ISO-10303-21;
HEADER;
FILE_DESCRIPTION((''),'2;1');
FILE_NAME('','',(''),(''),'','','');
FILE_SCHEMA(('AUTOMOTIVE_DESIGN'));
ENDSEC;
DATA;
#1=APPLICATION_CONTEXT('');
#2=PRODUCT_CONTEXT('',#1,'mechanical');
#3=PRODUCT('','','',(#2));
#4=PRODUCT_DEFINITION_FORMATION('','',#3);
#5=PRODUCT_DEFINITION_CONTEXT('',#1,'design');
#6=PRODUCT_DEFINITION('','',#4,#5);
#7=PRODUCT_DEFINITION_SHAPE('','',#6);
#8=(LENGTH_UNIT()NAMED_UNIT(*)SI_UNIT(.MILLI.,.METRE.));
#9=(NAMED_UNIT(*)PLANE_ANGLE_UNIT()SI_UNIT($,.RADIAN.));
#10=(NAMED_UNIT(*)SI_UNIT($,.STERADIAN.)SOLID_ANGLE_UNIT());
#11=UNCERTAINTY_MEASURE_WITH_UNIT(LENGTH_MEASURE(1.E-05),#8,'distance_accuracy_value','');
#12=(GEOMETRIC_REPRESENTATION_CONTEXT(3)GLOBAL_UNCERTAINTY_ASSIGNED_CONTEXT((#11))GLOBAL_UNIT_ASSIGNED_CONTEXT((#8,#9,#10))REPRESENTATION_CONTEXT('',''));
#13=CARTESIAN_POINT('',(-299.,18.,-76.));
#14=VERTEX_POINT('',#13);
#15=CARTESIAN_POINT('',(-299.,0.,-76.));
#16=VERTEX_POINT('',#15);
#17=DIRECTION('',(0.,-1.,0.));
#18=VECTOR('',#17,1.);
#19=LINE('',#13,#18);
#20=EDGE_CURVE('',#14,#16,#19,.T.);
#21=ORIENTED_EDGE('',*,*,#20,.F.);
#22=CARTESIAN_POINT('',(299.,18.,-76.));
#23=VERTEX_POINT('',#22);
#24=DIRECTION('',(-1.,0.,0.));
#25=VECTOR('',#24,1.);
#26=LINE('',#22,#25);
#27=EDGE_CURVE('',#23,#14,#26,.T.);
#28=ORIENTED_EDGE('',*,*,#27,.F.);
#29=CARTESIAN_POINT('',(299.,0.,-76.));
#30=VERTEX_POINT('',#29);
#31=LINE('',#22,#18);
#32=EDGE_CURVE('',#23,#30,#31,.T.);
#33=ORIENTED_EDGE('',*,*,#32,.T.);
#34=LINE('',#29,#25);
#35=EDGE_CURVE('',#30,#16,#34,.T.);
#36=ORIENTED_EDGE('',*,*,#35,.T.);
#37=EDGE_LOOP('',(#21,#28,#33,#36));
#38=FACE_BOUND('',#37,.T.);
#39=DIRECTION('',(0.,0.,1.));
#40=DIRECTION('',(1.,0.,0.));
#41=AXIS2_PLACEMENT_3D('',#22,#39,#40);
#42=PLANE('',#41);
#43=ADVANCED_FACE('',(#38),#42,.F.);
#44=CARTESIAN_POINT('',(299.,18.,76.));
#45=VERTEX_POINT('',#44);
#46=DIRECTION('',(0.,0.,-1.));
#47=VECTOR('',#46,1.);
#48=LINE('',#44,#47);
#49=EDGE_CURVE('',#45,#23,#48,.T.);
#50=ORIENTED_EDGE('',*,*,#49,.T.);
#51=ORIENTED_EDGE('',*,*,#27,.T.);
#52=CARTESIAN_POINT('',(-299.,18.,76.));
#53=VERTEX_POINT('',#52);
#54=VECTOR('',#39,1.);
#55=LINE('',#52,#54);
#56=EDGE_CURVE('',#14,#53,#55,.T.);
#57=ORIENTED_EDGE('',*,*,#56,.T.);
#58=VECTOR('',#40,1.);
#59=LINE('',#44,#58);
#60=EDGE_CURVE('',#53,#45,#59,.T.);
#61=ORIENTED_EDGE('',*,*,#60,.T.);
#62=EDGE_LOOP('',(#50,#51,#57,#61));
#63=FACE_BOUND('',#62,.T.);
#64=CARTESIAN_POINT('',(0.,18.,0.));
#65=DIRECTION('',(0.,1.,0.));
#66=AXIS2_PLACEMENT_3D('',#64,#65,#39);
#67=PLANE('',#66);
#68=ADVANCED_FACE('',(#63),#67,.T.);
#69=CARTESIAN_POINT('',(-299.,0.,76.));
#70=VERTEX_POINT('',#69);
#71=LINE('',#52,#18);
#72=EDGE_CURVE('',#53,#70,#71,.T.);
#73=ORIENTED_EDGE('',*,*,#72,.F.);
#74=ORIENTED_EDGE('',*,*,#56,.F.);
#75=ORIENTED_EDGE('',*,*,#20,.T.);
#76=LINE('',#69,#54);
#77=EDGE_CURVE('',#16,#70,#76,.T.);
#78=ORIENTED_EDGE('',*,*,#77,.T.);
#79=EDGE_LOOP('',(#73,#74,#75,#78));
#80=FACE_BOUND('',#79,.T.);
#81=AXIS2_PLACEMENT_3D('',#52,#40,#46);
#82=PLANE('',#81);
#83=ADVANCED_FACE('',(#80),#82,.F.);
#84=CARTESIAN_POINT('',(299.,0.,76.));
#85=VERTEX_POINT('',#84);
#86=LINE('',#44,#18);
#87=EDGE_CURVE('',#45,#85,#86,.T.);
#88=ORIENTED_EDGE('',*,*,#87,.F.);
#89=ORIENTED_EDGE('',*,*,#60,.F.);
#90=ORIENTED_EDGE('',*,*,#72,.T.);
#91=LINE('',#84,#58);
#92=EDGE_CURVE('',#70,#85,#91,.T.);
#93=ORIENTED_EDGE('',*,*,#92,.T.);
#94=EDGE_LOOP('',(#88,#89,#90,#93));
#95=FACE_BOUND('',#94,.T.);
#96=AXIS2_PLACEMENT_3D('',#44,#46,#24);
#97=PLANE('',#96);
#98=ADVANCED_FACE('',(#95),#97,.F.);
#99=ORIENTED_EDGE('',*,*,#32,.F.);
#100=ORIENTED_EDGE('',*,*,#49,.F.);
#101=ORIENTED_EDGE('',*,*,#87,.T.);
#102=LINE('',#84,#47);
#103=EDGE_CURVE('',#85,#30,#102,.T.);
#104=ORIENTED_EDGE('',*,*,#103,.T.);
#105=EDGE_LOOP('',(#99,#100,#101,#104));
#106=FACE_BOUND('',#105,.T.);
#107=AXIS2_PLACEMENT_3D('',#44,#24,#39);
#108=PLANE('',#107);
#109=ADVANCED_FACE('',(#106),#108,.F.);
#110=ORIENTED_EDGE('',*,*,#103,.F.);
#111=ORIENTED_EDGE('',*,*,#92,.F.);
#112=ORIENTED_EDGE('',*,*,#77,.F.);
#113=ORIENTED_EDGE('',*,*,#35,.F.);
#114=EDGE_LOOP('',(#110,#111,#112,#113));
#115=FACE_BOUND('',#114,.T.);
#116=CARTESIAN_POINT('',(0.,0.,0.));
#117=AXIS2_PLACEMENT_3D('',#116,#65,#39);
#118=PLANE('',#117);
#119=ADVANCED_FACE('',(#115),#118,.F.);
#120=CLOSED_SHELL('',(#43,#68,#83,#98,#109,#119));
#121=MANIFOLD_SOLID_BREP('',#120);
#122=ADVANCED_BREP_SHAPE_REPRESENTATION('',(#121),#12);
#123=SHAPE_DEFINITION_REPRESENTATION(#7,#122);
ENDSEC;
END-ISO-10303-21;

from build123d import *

# Parameters (mm, degrees)
SKETCH_1_W      = 598
SKETCH_1_H      = 152
EXTRUDE_1_DEPTH = 18


with BuildPart() as part:
    # Эскиз1 → Бобышка-Вытянуть1 (new body)
    with BuildSketch(Plane(origin=(0, 0, 0), x_dir=(1, 0, 0), z_dir=(0, 1, 0))):
        Rectangle(SKETCH_1_W, SKETCH_1_H)
    extrude(amount=EXTRUDE_1_DEPTH)


solid = part.part
